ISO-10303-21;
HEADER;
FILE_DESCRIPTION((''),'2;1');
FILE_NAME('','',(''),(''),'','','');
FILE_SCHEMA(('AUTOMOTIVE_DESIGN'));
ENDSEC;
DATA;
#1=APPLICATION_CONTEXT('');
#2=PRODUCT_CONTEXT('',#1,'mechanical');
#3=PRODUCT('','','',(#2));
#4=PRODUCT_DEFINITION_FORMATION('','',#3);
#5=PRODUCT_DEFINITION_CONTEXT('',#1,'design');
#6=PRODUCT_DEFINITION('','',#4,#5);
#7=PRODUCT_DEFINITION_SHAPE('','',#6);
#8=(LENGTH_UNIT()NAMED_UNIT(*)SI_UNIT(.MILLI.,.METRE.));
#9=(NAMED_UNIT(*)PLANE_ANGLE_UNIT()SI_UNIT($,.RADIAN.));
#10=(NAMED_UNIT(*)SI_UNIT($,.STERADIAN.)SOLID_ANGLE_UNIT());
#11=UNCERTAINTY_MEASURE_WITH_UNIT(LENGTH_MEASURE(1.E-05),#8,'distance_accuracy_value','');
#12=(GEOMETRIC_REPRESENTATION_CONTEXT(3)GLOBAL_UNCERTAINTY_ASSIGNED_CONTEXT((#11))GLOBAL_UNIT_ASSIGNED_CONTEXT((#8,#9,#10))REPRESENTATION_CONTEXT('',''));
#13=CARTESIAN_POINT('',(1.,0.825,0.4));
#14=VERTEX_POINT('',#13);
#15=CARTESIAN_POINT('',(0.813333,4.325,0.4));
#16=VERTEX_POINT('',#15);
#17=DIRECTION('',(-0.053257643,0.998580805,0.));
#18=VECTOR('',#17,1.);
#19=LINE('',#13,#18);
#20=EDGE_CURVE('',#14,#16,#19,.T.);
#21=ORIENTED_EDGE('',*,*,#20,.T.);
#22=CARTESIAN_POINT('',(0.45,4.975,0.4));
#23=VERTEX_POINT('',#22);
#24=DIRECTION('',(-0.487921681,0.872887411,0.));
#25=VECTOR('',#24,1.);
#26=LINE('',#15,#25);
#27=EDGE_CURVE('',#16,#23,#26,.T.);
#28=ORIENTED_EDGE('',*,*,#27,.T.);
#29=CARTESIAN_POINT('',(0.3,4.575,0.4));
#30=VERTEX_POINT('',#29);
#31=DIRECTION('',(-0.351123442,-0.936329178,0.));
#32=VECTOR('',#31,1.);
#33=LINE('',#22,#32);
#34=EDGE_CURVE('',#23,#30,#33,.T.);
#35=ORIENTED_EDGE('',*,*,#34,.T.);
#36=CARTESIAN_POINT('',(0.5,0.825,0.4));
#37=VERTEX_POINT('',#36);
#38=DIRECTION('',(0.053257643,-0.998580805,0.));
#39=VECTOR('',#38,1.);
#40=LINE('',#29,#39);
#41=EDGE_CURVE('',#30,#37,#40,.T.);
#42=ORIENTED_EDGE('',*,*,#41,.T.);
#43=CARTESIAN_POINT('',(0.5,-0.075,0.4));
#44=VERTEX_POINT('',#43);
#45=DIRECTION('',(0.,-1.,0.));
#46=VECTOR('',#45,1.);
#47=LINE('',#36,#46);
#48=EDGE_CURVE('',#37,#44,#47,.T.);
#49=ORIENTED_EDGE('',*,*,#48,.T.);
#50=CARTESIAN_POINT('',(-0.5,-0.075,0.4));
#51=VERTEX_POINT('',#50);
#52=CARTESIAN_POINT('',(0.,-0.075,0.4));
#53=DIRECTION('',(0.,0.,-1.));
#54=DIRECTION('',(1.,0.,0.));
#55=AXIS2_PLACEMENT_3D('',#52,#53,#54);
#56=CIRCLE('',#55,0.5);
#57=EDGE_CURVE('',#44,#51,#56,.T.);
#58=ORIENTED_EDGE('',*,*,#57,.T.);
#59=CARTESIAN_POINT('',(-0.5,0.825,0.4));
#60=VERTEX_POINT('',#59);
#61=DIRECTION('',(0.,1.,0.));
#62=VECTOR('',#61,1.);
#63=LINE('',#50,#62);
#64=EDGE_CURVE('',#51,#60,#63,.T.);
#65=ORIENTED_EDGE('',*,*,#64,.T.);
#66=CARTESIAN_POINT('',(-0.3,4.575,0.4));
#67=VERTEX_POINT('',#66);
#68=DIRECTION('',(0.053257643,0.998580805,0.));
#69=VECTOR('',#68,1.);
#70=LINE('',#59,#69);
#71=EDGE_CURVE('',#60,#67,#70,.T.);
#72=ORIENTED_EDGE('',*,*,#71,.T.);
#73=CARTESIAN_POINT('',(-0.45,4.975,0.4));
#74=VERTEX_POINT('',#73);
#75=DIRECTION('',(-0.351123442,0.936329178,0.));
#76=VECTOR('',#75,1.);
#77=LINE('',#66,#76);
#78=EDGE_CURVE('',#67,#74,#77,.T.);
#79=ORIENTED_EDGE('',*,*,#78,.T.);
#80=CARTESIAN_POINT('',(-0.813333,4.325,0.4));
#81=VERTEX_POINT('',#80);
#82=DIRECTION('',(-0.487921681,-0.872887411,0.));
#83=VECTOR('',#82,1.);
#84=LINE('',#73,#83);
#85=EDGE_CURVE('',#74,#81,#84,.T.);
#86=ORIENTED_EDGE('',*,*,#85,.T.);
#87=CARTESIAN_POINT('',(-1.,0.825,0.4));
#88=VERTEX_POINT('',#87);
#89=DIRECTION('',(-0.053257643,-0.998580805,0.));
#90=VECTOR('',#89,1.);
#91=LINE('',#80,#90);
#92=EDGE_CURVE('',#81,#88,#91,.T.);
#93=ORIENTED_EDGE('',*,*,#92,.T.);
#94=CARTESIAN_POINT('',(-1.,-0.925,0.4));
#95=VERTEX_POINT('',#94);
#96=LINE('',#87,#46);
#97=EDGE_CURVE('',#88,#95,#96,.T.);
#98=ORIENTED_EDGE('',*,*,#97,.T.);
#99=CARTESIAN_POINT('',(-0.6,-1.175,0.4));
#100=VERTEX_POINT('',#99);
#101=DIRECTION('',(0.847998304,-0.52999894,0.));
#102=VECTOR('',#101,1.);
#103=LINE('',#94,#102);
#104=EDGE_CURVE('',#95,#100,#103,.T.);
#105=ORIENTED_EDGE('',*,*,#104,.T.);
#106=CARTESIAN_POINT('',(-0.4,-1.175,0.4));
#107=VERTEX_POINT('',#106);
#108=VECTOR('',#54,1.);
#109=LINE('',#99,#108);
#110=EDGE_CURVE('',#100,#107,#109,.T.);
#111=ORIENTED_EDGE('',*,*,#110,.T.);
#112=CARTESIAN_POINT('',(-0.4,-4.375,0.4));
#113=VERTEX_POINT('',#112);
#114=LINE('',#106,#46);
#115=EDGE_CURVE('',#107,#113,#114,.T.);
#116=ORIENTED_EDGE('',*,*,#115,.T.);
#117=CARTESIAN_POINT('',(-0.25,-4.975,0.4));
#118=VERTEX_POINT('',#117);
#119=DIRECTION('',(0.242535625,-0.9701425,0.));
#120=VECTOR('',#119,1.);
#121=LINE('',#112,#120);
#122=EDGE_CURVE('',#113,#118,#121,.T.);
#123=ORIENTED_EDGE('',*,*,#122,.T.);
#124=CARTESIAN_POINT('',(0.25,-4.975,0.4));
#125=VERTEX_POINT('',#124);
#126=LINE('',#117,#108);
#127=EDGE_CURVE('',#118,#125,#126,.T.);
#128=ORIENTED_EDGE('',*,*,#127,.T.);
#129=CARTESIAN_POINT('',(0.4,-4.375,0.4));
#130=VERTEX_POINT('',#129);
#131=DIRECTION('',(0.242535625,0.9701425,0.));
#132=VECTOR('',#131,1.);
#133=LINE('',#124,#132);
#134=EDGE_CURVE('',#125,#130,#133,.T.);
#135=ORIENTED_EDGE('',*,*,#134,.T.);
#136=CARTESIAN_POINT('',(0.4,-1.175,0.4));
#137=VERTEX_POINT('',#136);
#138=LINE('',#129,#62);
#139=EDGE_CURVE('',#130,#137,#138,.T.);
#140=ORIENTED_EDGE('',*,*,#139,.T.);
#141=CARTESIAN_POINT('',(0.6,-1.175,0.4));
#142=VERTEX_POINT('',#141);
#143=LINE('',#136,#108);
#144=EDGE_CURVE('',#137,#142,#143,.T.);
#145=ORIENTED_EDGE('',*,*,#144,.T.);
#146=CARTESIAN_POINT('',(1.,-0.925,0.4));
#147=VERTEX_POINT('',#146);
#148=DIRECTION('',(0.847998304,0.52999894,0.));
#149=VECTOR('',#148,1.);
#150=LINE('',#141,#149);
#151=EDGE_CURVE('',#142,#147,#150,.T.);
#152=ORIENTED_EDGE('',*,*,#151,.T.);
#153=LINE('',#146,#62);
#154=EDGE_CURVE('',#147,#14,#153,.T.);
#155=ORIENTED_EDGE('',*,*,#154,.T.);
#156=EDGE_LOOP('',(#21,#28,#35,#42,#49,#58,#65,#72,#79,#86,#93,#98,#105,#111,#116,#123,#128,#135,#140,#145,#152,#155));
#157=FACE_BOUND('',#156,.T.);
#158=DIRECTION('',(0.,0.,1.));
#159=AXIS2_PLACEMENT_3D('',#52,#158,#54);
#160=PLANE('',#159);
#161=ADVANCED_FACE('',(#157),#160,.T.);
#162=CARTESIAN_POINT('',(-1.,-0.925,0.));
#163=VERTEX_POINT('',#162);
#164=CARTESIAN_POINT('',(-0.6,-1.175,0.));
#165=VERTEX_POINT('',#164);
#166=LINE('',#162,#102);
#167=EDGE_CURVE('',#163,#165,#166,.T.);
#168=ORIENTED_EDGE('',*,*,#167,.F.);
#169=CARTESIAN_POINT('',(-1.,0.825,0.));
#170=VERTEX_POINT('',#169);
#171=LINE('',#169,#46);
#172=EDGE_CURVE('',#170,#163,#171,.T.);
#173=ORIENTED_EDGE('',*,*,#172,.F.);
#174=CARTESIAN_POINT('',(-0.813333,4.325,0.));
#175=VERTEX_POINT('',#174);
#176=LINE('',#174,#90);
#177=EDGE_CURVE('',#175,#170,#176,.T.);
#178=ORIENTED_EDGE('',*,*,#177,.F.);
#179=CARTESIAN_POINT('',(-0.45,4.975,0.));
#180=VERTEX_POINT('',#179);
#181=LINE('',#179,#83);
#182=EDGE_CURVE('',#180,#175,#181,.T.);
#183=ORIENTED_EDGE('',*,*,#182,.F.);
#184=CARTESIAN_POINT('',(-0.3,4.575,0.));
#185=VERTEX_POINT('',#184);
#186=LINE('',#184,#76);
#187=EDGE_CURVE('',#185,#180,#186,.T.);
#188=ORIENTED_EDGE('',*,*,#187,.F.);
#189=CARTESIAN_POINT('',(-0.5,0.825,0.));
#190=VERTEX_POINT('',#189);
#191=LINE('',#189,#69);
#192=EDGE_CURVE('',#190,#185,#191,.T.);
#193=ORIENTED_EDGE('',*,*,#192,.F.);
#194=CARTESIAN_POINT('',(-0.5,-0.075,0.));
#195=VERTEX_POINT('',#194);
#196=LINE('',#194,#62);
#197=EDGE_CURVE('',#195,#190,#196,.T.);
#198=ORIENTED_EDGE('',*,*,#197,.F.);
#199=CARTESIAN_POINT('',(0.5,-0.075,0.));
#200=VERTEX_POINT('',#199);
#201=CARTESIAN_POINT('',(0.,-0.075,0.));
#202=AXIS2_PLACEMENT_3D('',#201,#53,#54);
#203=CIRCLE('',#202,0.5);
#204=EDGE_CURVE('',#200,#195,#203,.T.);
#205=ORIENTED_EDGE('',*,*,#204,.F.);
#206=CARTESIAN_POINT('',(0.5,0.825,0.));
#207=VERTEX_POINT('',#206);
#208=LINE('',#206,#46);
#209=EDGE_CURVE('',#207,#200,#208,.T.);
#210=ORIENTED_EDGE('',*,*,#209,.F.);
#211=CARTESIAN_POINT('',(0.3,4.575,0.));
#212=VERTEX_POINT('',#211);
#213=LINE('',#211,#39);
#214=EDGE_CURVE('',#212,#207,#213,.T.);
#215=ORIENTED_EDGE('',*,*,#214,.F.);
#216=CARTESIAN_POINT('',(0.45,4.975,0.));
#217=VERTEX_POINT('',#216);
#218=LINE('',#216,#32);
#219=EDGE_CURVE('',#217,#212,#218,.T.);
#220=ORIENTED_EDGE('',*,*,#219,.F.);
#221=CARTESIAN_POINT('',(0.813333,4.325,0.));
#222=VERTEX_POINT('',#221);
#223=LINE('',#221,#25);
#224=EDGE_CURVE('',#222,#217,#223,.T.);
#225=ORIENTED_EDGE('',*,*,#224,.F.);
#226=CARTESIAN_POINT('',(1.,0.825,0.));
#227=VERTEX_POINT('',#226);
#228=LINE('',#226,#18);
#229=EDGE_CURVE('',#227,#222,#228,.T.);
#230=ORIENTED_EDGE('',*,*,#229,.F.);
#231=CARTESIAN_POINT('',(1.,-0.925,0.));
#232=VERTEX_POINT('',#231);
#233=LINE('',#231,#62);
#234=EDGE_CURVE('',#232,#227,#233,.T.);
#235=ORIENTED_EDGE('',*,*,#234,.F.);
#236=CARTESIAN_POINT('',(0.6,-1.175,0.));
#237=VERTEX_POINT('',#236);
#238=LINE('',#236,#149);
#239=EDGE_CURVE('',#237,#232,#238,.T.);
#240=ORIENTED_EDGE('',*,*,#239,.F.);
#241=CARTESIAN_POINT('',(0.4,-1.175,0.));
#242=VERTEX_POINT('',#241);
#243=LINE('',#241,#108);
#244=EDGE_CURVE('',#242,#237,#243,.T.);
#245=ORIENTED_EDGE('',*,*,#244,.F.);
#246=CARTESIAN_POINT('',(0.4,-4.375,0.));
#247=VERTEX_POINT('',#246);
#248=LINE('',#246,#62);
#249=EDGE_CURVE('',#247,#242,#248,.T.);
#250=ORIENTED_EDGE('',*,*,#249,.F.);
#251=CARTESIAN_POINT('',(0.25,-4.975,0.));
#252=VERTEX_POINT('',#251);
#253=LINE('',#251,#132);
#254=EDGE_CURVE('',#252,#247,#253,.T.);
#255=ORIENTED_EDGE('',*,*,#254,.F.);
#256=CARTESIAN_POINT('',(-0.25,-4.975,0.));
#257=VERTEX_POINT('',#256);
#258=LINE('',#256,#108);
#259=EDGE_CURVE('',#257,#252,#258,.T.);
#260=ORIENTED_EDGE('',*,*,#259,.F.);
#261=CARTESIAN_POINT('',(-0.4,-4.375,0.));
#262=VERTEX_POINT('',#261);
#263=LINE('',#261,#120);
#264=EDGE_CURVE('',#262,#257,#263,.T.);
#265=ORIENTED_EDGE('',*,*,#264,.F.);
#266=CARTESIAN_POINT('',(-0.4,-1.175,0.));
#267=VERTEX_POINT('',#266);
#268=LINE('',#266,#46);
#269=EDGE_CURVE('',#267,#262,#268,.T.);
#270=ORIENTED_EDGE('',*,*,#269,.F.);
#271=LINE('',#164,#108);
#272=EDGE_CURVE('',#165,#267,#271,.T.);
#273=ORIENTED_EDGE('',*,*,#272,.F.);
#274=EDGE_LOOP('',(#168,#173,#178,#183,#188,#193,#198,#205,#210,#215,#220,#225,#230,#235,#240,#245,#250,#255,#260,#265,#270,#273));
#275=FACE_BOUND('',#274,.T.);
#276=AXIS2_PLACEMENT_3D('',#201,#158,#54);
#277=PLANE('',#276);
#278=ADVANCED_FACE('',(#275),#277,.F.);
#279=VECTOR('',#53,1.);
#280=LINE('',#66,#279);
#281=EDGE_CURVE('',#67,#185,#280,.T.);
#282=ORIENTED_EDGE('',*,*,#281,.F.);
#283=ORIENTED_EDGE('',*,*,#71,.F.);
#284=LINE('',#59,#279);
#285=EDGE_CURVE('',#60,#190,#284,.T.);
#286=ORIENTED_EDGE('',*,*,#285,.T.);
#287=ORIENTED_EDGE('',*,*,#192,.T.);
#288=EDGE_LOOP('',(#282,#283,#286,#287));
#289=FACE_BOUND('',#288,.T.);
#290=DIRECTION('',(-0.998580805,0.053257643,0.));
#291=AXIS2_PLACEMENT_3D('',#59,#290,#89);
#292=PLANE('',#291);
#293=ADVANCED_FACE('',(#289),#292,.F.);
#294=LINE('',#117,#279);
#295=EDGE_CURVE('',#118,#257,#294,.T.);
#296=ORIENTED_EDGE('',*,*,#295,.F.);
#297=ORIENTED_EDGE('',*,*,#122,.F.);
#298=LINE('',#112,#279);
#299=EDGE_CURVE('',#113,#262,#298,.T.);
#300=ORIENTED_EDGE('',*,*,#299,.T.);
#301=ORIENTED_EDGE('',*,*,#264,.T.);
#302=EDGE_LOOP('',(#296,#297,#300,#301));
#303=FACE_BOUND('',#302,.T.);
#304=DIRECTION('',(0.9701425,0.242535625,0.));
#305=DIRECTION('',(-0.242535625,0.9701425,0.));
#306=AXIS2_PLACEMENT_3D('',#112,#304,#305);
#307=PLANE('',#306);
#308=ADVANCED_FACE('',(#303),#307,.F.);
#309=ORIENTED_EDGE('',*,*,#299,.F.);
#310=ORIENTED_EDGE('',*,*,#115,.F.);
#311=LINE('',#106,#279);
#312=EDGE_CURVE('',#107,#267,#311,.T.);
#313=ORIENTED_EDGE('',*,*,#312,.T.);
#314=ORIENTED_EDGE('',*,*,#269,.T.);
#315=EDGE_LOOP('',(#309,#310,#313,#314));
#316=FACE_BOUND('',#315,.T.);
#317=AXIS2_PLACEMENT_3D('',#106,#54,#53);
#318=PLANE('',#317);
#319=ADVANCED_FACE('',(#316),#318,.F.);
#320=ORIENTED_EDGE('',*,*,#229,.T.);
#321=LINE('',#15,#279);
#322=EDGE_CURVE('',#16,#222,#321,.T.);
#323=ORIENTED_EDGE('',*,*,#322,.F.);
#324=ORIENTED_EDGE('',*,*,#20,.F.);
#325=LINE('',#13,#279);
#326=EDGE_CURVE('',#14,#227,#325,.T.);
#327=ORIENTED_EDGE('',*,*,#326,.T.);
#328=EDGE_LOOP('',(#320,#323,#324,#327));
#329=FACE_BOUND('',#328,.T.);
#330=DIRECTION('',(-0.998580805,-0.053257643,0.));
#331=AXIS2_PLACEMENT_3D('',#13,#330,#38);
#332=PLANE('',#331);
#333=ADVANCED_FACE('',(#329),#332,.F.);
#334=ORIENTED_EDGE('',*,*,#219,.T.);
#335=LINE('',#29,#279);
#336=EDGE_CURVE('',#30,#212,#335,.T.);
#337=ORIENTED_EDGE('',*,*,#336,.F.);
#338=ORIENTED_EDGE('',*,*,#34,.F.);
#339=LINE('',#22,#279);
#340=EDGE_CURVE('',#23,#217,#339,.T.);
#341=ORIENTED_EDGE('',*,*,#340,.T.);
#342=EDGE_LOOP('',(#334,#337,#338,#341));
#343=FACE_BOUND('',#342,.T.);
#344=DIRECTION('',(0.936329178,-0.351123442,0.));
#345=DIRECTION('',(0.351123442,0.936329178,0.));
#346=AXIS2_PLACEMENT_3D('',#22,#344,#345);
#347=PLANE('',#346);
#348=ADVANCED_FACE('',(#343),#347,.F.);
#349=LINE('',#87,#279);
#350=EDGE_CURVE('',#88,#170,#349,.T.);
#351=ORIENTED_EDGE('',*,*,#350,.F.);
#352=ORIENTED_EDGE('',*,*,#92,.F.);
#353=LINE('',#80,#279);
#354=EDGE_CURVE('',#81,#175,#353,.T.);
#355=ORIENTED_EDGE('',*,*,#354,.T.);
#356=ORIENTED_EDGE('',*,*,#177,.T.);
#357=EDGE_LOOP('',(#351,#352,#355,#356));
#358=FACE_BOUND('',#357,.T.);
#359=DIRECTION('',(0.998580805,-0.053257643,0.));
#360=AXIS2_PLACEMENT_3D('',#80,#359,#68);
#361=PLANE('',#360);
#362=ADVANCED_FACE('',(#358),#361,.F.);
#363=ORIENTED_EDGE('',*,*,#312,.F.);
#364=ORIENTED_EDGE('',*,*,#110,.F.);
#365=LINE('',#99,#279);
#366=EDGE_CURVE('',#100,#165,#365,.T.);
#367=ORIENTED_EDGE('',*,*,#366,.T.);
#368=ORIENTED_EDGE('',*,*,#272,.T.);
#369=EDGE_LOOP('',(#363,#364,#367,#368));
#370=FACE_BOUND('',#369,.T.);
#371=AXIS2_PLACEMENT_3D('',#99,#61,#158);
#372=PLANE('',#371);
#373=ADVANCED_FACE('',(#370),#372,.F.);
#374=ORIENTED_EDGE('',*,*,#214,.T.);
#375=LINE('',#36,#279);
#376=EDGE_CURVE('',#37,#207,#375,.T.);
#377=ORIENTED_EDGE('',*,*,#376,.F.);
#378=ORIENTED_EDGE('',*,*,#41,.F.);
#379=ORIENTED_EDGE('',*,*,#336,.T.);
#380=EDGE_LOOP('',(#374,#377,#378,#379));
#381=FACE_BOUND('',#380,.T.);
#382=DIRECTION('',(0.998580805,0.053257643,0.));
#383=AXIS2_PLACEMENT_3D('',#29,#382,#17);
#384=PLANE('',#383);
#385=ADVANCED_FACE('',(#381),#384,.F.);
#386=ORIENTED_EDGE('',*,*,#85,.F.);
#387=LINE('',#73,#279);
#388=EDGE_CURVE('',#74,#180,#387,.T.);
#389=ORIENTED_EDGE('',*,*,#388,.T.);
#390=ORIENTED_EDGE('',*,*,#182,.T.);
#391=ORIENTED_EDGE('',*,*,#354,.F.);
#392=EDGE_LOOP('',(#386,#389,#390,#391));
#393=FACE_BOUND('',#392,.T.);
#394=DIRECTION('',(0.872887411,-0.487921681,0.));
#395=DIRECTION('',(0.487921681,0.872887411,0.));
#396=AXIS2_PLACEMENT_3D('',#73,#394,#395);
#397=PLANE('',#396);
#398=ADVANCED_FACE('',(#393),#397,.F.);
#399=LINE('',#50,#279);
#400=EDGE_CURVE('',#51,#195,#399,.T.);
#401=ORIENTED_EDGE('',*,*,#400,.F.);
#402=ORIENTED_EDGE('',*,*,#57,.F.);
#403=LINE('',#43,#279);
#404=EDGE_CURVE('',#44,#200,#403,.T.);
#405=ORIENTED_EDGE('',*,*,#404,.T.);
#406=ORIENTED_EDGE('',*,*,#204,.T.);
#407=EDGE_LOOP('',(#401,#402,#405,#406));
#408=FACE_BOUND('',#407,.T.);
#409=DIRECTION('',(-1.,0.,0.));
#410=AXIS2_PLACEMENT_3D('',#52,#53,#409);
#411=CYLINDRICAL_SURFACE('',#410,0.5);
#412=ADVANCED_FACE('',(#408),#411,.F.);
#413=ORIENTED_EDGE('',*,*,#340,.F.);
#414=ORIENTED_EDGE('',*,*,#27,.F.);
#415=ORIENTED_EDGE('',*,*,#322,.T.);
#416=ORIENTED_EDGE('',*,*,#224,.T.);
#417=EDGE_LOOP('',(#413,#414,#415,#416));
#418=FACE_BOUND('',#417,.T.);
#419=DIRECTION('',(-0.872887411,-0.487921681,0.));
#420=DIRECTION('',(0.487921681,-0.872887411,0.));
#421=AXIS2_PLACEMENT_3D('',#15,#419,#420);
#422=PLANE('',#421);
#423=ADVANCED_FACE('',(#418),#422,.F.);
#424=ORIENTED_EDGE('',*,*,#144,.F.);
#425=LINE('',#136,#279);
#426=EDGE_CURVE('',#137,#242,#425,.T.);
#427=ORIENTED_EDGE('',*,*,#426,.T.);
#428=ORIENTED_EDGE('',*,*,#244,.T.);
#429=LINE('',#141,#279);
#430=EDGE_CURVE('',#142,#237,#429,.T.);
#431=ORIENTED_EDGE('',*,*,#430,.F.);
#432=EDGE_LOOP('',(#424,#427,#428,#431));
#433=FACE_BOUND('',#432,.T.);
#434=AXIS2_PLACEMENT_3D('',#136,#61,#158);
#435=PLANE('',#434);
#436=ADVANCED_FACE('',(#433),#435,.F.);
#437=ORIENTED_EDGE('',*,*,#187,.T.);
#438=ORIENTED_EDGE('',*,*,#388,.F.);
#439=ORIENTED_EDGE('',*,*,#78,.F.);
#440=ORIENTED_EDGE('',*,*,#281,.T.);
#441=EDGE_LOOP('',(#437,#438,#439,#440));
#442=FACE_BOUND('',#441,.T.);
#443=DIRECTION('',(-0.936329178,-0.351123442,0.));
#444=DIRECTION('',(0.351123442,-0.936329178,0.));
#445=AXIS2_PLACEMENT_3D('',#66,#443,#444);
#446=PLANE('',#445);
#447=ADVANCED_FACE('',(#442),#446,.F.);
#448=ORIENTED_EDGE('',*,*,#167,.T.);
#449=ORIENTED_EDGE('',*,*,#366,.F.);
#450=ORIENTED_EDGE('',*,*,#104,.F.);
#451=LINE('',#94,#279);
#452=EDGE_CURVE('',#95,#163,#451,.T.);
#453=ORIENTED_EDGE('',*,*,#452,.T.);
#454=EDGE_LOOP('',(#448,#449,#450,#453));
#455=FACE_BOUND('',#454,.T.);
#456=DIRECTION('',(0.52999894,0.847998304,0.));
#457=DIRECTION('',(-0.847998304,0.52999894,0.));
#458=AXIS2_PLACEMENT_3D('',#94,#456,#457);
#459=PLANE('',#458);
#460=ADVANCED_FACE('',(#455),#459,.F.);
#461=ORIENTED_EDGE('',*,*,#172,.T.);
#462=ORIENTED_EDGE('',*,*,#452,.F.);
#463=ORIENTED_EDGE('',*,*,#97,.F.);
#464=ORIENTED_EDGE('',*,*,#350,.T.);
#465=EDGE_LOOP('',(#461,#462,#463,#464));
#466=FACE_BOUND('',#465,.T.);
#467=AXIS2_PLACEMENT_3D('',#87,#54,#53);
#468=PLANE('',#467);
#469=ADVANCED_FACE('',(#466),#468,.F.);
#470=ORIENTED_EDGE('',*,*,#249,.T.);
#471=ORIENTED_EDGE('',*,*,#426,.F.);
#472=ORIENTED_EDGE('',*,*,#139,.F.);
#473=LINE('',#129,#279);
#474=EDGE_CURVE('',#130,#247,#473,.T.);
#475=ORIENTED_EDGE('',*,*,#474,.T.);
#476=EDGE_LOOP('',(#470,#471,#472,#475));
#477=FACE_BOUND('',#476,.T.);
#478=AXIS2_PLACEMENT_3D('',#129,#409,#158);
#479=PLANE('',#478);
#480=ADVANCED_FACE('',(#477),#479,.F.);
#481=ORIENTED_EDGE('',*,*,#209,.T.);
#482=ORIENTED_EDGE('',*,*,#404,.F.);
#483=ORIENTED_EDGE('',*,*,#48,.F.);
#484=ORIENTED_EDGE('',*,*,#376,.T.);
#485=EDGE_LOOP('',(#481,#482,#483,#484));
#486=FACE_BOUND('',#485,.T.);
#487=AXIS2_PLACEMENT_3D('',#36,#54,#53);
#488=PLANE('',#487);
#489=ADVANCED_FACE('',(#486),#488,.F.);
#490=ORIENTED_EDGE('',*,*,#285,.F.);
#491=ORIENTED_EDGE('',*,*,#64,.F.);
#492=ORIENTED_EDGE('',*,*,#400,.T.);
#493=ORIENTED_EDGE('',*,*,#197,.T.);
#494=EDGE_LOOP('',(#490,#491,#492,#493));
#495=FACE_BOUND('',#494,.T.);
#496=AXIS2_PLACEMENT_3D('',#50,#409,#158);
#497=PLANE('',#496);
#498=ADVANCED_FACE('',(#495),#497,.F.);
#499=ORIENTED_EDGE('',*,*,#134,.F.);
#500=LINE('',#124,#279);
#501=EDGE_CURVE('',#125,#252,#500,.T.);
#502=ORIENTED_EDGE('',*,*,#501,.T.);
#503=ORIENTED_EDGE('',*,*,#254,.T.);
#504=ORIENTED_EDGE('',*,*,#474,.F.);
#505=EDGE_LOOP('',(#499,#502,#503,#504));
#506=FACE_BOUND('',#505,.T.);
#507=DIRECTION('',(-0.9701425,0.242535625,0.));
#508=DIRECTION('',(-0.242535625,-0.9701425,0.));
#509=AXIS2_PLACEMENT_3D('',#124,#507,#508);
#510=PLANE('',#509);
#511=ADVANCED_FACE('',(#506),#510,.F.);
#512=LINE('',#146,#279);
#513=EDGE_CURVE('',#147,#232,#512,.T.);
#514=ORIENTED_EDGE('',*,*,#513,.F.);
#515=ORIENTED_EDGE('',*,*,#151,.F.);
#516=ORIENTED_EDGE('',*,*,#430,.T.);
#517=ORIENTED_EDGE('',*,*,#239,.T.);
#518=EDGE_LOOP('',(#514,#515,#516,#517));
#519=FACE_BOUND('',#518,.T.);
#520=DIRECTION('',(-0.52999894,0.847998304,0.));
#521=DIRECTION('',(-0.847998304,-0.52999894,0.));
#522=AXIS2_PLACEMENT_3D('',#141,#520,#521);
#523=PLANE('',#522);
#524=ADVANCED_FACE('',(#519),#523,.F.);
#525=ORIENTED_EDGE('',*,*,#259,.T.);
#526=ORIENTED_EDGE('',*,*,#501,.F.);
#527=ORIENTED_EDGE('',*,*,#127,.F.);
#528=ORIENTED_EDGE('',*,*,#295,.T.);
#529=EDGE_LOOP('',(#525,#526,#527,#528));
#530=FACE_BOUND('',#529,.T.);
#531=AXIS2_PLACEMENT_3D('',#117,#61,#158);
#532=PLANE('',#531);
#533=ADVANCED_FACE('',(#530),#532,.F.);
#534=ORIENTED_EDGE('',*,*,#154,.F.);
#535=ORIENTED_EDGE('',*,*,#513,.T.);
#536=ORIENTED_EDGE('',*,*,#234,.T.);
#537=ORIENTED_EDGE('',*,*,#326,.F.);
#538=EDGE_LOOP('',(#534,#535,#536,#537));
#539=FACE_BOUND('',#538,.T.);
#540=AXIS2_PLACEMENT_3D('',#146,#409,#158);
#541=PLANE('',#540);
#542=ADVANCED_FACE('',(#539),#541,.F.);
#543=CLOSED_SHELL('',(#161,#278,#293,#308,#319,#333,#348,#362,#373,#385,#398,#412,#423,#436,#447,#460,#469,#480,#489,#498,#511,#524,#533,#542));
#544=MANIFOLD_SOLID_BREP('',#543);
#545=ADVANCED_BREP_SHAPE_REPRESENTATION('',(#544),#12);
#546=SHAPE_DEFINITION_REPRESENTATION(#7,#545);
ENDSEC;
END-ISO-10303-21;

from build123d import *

# Parameters (mm, degrees)
DODANIE_WYCI_GNI_CIE1_DEPTH = 0.4


with BuildPart() as part:
    # Szkic1 → Dodanie-wyciągnięcie1 (new body)
    with BuildSketch(Plane.XY):
        with BuildLine():
            Line((0.25, -4.975), (0.4, -4.375))
            Line((0.4, -4.375), (0.4, -1.175))
            Line((0.4, -1.175), (0.6, -1.175))
            Line((0.6, -1.175), (1, -0.925))
            Line((1, -0.925), (1, 0.825))
            Line((1, 0.825), (0.813333333, 4.325))
            Line((0.813333333, 4.325), (0.45, 4.975))
            Line((0.45, 4.975), (0.3, 4.575))
            Line((0.3, 4.575), (0.5, 0.825))
            Line((0.5, 0.825), (0.5, -0.075))
            ThreePointArc((0.5, -0.075), (0, -0.575), (-0.5, -0.075))
            Line((-0.5, -0.075), (-0.5, 0.825))
            Line((-0.5, 0.825), (-0.3, 4.575))
            Line((-0.3, 4.575), (-0.45, 4.975))
            Line((-0.45, 4.975), (-0.813333333, 4.325))
            Line((-0.813333333, 4.325), (-1, 0.825))
            Line((-1, 0.825), (-1, -0.925))
            Line((-1, -0.925), (-0.6, -1.175))
            Line((-0.6, -1.175), (-0.4, -1.175))
            Line((-0.4, -1.175), (-0.4, -4.375))
            Line((-0.4, -4.375), (-0.25, -4.975))
            Line((-0.25, -4.975), (0.25, -4.975))
        make_face()
    extrude(amount=DODANIE_WYCI_GNI_CIE1_DEPTH)


solid = part.part
